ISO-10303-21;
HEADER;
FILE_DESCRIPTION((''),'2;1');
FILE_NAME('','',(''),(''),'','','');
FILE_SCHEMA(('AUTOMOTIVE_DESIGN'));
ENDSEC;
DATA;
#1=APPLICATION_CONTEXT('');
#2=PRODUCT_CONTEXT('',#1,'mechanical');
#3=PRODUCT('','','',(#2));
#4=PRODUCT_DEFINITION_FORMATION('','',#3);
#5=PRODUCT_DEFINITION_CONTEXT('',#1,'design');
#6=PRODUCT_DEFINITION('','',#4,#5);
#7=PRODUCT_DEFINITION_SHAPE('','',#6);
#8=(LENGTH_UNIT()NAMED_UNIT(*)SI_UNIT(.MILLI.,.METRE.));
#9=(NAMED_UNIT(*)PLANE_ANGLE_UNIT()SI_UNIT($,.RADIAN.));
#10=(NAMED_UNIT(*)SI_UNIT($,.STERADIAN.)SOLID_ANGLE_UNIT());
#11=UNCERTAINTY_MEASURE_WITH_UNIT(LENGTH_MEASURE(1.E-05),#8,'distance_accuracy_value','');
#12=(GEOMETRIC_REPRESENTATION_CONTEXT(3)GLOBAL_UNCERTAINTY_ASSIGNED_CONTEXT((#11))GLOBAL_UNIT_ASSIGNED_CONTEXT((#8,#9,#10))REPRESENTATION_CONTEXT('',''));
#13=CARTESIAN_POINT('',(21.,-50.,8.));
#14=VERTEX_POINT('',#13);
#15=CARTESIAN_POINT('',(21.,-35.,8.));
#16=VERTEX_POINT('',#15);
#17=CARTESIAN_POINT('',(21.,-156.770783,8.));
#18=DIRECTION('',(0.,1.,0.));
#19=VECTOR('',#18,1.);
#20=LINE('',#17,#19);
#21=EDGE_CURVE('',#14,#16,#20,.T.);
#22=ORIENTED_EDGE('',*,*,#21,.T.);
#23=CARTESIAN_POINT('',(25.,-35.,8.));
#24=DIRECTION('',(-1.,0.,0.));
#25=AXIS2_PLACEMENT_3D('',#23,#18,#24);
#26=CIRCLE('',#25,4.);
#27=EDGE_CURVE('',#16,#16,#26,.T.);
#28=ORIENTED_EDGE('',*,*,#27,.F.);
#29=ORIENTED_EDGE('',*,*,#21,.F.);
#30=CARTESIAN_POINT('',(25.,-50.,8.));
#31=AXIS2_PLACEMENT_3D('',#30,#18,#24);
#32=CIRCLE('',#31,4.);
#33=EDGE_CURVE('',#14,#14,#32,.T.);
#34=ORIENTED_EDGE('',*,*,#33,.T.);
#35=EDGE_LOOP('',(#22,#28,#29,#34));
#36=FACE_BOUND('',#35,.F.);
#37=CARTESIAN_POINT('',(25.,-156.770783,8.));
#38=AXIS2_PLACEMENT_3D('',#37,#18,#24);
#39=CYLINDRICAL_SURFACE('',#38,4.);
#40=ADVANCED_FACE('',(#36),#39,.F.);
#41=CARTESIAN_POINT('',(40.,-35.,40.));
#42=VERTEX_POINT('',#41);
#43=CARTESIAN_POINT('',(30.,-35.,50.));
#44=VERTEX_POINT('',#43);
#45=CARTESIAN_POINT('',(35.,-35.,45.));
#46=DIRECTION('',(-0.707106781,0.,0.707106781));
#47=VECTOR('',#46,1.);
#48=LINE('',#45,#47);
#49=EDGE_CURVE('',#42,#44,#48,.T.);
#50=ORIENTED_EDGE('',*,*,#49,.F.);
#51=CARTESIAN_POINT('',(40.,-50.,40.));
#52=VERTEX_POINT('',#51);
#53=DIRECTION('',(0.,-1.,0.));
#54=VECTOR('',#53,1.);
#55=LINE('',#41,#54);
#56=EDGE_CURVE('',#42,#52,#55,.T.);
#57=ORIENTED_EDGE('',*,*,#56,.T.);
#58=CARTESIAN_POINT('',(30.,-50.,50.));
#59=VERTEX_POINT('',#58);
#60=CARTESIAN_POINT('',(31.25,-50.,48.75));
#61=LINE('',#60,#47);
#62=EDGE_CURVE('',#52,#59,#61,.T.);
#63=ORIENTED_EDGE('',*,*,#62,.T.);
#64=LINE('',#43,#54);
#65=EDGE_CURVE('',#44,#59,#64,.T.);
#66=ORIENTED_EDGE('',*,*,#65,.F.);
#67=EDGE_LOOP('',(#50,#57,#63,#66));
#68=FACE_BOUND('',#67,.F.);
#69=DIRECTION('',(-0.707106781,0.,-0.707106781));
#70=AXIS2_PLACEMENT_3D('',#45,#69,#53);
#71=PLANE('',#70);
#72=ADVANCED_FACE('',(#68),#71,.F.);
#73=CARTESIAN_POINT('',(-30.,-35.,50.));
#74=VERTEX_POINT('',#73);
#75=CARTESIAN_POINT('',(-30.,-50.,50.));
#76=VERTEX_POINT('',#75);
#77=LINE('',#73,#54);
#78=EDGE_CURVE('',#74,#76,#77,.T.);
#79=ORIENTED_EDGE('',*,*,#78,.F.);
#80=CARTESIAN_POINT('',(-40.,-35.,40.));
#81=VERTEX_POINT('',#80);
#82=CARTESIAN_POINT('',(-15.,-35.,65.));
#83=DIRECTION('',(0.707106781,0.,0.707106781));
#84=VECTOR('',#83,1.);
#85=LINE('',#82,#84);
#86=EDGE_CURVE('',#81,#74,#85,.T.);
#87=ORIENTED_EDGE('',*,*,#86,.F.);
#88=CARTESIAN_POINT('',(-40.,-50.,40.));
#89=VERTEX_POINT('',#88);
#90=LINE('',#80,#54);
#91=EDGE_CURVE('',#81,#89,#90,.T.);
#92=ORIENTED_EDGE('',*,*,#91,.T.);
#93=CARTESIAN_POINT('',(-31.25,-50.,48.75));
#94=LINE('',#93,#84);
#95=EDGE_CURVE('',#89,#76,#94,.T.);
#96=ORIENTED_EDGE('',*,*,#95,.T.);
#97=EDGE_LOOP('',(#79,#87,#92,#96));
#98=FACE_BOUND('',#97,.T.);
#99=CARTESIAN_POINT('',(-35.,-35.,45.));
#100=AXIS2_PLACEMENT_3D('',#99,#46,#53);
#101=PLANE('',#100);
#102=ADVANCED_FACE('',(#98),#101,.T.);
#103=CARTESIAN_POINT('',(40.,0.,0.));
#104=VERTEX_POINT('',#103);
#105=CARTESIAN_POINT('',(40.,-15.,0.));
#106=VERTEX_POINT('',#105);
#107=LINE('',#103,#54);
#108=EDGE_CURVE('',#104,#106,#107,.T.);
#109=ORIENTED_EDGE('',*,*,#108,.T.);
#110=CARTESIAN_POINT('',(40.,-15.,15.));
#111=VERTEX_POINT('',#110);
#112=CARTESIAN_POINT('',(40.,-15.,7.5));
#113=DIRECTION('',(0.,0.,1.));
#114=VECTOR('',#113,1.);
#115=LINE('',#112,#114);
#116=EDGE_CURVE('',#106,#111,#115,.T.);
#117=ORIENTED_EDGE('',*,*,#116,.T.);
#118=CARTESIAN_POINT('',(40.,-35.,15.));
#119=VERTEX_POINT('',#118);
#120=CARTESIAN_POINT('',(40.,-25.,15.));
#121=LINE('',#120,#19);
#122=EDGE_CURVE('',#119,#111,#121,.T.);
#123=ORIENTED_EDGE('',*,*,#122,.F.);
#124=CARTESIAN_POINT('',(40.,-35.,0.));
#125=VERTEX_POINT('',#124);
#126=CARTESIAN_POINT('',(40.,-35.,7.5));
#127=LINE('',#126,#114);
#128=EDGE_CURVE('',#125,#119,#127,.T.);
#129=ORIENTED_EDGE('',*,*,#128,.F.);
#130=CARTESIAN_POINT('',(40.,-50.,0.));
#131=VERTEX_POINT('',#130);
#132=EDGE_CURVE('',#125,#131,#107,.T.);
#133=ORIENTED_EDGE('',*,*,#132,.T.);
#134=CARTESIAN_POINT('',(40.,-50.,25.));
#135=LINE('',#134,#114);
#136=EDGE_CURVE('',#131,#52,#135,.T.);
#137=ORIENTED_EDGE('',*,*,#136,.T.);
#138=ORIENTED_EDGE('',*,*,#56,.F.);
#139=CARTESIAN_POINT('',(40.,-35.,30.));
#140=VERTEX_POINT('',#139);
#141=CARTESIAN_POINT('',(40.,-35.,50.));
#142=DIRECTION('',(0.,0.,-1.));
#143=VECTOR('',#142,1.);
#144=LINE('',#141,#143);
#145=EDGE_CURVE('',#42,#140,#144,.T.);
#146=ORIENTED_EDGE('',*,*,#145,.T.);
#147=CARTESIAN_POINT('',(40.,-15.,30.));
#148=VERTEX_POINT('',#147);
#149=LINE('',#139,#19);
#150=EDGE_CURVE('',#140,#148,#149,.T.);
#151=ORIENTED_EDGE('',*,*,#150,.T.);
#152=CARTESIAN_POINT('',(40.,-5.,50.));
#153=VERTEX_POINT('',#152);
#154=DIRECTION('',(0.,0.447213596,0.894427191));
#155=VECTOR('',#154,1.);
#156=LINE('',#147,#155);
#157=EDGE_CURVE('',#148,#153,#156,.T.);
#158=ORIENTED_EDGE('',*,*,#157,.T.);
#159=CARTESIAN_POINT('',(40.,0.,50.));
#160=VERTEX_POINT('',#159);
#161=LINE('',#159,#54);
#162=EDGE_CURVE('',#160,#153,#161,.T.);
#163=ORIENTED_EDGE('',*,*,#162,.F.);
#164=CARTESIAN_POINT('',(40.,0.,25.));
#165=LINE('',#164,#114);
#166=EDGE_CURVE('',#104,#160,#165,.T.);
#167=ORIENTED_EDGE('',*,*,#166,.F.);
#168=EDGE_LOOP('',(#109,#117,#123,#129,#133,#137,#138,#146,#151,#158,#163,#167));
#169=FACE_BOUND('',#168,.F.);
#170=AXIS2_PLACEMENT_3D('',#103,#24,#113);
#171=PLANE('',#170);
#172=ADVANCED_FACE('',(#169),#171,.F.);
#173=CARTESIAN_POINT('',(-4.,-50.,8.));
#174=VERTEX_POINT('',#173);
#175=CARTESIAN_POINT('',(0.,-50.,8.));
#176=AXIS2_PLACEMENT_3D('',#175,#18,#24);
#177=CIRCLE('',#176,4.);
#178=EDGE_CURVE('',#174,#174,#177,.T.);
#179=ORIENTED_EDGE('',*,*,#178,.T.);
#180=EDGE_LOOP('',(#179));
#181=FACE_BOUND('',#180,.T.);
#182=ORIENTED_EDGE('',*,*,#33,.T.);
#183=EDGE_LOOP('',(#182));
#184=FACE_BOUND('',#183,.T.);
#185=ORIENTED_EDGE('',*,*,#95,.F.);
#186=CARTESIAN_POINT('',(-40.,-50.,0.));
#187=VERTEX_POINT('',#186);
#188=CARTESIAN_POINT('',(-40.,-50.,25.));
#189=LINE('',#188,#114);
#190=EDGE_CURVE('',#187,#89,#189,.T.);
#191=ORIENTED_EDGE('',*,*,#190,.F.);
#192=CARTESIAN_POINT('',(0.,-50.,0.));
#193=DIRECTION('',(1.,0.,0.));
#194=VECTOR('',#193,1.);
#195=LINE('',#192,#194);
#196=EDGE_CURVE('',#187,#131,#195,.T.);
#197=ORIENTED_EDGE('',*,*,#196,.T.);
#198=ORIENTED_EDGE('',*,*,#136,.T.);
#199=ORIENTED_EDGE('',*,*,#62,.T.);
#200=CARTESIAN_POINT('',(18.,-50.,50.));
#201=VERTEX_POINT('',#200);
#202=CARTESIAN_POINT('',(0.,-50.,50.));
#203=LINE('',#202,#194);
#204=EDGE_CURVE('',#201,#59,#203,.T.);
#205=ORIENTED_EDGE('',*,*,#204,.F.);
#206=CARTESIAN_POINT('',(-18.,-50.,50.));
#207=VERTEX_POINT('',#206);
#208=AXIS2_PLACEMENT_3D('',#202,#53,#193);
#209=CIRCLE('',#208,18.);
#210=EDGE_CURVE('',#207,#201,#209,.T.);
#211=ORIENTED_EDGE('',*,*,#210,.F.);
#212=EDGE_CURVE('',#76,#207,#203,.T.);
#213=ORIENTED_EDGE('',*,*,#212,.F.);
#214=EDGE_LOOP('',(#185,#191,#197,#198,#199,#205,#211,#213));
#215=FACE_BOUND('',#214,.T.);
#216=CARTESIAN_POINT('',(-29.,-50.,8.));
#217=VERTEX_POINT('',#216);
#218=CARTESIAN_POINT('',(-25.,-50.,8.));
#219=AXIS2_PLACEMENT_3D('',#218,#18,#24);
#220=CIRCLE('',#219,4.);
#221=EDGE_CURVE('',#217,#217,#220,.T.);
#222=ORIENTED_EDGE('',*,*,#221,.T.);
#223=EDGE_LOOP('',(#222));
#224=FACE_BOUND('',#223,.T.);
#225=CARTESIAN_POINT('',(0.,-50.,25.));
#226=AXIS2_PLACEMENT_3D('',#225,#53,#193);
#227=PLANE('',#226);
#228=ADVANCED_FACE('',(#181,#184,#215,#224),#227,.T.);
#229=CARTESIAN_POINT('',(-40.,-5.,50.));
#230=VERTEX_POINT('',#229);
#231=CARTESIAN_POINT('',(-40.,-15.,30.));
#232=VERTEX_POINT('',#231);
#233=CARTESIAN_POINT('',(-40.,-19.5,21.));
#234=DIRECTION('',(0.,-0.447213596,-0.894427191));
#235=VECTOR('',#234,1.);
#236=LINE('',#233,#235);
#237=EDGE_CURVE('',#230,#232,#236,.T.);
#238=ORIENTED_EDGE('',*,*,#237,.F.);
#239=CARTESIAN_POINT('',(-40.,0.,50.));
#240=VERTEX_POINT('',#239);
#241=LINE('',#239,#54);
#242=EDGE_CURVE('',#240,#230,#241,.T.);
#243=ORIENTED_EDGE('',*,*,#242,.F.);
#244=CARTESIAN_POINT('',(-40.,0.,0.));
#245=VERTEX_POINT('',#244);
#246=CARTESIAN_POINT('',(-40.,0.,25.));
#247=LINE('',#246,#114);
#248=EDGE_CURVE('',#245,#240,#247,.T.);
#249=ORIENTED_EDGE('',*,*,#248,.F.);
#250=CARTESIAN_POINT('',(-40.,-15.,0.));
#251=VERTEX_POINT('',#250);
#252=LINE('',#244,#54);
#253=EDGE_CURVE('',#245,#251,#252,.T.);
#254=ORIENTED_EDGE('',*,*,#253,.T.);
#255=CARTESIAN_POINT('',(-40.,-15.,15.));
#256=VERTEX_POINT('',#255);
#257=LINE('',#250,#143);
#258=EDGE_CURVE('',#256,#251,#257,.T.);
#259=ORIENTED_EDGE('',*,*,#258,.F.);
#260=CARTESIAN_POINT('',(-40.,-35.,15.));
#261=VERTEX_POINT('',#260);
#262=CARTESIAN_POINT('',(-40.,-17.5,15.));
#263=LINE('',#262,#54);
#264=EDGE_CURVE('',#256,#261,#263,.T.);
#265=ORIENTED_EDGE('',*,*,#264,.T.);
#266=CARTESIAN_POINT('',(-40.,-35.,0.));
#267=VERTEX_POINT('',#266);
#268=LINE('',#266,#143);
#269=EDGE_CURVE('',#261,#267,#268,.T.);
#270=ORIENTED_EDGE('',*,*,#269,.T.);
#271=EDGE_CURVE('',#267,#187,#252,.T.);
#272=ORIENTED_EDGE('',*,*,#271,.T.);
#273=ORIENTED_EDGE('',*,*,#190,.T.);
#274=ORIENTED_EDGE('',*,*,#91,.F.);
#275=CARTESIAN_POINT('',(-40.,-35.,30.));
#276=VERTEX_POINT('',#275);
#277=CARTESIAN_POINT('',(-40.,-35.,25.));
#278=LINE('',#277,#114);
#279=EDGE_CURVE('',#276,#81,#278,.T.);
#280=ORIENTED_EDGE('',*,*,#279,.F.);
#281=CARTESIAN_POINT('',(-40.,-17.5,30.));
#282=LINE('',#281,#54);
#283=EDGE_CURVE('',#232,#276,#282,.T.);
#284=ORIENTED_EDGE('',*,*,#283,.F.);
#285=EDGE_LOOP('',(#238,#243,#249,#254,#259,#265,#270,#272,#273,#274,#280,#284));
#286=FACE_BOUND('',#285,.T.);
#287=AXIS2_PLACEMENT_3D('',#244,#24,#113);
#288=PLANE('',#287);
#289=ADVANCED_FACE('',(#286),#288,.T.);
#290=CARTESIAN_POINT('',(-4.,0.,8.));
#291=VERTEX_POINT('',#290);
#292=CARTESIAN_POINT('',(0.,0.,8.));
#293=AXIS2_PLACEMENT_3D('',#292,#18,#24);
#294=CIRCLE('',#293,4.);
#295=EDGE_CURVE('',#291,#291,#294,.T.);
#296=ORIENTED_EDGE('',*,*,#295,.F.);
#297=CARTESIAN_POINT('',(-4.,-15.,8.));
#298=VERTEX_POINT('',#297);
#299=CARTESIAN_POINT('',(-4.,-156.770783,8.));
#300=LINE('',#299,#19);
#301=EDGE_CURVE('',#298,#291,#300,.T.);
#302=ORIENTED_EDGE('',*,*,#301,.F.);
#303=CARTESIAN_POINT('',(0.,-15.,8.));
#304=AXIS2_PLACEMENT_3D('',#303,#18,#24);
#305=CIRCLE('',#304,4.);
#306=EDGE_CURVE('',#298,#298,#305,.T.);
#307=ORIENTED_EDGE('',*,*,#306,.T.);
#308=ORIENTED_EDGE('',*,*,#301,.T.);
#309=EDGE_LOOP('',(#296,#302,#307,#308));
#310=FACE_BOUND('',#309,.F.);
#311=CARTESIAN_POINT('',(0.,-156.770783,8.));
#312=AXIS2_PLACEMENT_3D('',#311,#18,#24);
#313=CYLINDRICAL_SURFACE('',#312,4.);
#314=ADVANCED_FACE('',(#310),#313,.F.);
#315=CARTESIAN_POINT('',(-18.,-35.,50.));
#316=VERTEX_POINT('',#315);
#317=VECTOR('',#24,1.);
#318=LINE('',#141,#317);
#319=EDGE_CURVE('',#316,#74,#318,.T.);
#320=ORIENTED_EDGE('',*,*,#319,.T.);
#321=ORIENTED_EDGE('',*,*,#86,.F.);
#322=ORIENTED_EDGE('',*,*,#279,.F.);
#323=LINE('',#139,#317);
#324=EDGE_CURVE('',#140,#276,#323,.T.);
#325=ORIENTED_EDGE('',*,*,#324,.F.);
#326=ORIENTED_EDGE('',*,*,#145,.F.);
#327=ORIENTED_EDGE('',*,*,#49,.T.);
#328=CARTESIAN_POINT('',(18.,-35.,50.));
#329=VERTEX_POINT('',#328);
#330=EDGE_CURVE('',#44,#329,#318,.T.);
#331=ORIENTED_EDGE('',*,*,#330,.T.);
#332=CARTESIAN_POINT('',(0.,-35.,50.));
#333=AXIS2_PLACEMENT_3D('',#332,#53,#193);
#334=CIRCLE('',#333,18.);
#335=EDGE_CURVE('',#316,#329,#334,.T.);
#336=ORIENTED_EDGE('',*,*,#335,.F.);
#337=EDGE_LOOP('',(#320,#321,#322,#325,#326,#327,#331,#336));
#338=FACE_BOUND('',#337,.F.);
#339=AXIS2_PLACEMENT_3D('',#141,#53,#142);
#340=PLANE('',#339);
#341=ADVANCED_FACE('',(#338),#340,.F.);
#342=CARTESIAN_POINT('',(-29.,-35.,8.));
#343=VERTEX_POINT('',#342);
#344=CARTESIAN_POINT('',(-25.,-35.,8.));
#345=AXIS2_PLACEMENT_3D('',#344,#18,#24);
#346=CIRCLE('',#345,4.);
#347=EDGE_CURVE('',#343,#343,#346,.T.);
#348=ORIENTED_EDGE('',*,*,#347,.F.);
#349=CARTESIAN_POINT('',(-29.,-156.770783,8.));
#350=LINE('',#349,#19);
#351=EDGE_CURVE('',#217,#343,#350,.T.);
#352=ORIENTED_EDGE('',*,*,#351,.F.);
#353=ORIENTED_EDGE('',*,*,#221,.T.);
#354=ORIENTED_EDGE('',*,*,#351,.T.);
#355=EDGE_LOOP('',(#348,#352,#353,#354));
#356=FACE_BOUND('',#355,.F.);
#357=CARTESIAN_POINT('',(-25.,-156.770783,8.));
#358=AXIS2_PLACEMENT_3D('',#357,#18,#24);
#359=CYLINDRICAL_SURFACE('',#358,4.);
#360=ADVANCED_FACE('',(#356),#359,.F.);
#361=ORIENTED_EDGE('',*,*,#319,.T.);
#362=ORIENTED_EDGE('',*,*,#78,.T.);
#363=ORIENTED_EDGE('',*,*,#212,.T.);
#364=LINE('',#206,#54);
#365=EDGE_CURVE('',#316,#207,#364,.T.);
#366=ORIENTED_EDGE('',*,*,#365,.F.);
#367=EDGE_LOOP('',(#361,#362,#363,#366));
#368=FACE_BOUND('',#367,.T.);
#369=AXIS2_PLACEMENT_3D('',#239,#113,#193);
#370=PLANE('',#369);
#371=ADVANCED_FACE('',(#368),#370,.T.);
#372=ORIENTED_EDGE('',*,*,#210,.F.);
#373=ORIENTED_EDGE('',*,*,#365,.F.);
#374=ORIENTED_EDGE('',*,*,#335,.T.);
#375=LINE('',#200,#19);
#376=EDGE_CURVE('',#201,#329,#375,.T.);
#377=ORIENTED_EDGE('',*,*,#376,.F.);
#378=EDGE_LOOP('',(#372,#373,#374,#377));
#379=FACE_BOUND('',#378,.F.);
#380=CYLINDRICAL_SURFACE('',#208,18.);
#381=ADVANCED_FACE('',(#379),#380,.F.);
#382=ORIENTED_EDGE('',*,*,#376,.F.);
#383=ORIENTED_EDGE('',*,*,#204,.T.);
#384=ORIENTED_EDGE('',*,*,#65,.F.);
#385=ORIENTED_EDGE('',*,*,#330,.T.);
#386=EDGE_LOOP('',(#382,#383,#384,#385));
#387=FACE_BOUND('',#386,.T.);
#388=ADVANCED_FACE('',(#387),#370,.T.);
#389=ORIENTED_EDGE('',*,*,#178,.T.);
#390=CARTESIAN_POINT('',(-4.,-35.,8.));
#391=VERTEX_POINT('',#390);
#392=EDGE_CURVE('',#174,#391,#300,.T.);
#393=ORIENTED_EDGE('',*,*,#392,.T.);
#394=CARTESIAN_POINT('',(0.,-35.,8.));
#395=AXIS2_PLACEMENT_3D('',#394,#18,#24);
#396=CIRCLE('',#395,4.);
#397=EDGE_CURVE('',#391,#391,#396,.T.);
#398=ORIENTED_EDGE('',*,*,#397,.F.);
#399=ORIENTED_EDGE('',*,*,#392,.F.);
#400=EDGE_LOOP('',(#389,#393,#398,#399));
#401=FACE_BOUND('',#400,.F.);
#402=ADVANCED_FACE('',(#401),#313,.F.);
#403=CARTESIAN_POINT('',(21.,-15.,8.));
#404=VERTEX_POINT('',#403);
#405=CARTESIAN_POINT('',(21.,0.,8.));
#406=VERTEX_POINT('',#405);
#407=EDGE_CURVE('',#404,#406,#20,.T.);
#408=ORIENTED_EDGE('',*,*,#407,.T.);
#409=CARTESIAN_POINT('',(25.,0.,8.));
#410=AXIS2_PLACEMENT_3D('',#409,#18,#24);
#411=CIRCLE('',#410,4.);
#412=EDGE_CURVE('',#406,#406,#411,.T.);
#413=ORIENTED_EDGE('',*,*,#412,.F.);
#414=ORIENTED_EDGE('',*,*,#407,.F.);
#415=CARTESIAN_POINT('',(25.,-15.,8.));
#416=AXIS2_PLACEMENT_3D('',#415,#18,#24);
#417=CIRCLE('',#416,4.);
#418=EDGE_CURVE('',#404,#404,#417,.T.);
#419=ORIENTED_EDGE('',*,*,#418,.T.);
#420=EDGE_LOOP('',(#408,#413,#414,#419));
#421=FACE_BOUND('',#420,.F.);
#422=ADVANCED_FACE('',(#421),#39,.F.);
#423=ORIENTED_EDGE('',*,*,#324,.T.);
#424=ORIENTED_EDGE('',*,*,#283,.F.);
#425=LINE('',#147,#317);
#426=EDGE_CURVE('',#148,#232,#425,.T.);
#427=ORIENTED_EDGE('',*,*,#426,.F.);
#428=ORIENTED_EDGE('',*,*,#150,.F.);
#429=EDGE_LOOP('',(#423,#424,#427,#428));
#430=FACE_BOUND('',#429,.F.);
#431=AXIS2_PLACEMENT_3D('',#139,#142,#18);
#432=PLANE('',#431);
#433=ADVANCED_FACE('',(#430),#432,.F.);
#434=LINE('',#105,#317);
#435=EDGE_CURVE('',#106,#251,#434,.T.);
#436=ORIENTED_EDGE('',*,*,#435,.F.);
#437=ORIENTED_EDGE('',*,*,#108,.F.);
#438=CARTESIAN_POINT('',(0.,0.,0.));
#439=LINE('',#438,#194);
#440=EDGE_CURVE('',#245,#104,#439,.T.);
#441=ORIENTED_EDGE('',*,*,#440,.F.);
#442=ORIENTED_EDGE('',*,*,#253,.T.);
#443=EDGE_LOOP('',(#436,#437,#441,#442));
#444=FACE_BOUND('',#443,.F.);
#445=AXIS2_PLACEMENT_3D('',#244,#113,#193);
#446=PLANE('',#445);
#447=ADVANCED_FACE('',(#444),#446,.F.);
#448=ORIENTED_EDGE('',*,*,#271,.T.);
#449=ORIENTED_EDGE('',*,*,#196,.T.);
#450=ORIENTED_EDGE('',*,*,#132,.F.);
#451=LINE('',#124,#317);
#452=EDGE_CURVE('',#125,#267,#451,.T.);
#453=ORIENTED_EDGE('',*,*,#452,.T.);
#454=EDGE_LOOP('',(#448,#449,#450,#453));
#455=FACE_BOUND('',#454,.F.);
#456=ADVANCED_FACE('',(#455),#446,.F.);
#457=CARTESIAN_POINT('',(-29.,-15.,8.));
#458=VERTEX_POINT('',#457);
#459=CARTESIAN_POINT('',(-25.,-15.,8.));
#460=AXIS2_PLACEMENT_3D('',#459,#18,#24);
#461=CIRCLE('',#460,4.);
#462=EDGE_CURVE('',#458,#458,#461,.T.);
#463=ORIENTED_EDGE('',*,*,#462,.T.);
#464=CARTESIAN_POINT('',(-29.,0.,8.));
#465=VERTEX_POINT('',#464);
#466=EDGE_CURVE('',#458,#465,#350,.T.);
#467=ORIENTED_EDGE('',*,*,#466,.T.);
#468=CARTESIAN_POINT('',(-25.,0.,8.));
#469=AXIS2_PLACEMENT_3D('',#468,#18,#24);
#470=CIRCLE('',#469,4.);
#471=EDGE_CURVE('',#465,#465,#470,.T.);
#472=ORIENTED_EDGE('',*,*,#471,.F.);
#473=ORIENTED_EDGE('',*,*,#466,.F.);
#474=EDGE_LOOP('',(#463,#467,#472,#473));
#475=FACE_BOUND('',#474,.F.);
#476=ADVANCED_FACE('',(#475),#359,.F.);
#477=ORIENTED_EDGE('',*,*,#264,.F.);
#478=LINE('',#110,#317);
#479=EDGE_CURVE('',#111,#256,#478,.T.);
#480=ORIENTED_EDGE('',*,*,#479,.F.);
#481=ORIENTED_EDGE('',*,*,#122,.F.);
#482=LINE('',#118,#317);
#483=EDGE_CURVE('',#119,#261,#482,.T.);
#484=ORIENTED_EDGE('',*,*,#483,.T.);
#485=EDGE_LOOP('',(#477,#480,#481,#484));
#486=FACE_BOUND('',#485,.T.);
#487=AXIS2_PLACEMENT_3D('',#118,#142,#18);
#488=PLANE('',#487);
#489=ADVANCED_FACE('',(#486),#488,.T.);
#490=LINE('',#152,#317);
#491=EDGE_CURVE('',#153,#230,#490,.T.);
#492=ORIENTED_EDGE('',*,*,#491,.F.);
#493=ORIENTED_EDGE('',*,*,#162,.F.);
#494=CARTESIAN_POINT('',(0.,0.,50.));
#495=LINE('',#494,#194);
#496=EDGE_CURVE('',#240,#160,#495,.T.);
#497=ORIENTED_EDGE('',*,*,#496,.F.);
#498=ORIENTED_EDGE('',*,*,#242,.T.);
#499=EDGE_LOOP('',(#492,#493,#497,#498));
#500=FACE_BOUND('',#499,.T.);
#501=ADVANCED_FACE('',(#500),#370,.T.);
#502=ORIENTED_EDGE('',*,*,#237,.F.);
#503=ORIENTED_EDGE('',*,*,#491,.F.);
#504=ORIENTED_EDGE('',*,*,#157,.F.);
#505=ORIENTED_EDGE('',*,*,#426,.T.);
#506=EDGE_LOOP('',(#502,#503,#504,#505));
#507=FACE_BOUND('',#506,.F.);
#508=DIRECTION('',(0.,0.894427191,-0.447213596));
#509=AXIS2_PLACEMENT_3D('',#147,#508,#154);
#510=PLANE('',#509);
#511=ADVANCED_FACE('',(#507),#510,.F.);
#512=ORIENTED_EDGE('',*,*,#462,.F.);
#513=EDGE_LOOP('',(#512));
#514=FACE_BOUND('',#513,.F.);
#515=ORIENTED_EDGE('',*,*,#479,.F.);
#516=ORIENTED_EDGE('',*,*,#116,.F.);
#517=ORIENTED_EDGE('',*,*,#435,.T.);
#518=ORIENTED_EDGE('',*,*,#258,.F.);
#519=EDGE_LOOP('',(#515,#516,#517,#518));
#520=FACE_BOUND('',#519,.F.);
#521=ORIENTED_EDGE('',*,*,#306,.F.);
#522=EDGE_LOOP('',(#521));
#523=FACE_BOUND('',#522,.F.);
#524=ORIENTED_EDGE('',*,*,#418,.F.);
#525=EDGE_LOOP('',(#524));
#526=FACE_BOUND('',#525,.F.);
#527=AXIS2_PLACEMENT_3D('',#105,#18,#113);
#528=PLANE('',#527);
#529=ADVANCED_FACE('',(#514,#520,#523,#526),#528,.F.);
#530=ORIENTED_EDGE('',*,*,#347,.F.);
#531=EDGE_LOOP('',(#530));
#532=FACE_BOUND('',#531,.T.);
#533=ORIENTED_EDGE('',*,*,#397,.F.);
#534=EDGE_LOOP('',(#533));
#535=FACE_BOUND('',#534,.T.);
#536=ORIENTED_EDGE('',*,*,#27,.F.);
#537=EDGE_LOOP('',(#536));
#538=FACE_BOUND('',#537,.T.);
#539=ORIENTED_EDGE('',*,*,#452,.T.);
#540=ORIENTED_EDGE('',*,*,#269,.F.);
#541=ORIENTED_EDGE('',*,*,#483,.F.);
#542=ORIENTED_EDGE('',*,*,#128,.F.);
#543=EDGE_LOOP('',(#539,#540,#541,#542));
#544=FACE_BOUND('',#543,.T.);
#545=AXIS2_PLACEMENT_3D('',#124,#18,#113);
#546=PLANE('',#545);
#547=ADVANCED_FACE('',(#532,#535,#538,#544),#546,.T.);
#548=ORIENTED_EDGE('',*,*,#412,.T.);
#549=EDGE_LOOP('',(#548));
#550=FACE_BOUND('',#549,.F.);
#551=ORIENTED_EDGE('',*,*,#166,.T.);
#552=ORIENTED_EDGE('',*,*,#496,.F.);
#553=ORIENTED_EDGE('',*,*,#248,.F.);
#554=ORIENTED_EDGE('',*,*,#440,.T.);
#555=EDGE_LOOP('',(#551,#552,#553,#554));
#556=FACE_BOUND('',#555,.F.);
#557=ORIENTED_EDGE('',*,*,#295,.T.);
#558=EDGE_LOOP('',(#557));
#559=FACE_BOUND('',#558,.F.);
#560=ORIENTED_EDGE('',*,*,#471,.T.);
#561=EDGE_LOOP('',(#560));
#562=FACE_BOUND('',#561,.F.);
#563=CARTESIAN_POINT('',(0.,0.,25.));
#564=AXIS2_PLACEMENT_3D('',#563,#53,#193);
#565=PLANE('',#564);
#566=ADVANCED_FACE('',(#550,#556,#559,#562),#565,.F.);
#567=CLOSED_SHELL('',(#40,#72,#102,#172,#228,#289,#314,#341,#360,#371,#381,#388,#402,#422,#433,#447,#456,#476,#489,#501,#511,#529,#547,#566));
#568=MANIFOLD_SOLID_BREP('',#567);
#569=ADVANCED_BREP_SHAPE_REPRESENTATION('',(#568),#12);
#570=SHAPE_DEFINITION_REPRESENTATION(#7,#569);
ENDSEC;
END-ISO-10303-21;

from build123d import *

# Parameters (mm, degrees)
F0_W     = 80
F0_H     = 50
F1_DEPTH = 50
F2_W     = 20
F2_H     = 15
F3_DEPTH = 80.001
F4_R     = 18
F5_DEPTH = 15
F7_D     = 8
F8_SIZE  = 10


with BuildPart() as f1:
    # F0 (on Front) → F1 (new body)
    with BuildSketch(Plane.XZ):
        with Locations((0, 25)):
            Rectangle(F0_W, F0_H)
    extrude(amount=F1_DEPTH)

    # F2 (on face) → F3 (cut, through all)
    with BuildSketch(Plane.YZ.offset(40)):
        with Locations((-25, 7.5)):
            Rectangle(F2_W, F2_H)
        Polygon((-5, 50), (-35, 50), (-35, 30), (-15, 30), align=None)
    extrude(amount=-F3_DEPTH, mode=Mode.SUBTRACT)

    # F4 (on face) → F5 (cut, through all)
    with BuildSketch(Plane.XZ.offset(50)):
        with Locations((0, 50)):
            Circle(F4_R)
    extrude(amount=-F5_DEPTH, mode=Mode.SUBTRACT)

    # F7 (through all)
    with Locations(Plane.XZ.offset(50)):
        with Locations((-25, 8), (0, 8), (25, 8)):
            Hole(F7_D / 2)

    # F8
    f8_edges = [f1.edges().sort_by_distance(p)[0] for p in [
        (-40, -42.5, 50),
        (40, -42.5, 50),
    ]]
    chamfer(f8_edges, length=F8_SIZE)


solid = f1.part
